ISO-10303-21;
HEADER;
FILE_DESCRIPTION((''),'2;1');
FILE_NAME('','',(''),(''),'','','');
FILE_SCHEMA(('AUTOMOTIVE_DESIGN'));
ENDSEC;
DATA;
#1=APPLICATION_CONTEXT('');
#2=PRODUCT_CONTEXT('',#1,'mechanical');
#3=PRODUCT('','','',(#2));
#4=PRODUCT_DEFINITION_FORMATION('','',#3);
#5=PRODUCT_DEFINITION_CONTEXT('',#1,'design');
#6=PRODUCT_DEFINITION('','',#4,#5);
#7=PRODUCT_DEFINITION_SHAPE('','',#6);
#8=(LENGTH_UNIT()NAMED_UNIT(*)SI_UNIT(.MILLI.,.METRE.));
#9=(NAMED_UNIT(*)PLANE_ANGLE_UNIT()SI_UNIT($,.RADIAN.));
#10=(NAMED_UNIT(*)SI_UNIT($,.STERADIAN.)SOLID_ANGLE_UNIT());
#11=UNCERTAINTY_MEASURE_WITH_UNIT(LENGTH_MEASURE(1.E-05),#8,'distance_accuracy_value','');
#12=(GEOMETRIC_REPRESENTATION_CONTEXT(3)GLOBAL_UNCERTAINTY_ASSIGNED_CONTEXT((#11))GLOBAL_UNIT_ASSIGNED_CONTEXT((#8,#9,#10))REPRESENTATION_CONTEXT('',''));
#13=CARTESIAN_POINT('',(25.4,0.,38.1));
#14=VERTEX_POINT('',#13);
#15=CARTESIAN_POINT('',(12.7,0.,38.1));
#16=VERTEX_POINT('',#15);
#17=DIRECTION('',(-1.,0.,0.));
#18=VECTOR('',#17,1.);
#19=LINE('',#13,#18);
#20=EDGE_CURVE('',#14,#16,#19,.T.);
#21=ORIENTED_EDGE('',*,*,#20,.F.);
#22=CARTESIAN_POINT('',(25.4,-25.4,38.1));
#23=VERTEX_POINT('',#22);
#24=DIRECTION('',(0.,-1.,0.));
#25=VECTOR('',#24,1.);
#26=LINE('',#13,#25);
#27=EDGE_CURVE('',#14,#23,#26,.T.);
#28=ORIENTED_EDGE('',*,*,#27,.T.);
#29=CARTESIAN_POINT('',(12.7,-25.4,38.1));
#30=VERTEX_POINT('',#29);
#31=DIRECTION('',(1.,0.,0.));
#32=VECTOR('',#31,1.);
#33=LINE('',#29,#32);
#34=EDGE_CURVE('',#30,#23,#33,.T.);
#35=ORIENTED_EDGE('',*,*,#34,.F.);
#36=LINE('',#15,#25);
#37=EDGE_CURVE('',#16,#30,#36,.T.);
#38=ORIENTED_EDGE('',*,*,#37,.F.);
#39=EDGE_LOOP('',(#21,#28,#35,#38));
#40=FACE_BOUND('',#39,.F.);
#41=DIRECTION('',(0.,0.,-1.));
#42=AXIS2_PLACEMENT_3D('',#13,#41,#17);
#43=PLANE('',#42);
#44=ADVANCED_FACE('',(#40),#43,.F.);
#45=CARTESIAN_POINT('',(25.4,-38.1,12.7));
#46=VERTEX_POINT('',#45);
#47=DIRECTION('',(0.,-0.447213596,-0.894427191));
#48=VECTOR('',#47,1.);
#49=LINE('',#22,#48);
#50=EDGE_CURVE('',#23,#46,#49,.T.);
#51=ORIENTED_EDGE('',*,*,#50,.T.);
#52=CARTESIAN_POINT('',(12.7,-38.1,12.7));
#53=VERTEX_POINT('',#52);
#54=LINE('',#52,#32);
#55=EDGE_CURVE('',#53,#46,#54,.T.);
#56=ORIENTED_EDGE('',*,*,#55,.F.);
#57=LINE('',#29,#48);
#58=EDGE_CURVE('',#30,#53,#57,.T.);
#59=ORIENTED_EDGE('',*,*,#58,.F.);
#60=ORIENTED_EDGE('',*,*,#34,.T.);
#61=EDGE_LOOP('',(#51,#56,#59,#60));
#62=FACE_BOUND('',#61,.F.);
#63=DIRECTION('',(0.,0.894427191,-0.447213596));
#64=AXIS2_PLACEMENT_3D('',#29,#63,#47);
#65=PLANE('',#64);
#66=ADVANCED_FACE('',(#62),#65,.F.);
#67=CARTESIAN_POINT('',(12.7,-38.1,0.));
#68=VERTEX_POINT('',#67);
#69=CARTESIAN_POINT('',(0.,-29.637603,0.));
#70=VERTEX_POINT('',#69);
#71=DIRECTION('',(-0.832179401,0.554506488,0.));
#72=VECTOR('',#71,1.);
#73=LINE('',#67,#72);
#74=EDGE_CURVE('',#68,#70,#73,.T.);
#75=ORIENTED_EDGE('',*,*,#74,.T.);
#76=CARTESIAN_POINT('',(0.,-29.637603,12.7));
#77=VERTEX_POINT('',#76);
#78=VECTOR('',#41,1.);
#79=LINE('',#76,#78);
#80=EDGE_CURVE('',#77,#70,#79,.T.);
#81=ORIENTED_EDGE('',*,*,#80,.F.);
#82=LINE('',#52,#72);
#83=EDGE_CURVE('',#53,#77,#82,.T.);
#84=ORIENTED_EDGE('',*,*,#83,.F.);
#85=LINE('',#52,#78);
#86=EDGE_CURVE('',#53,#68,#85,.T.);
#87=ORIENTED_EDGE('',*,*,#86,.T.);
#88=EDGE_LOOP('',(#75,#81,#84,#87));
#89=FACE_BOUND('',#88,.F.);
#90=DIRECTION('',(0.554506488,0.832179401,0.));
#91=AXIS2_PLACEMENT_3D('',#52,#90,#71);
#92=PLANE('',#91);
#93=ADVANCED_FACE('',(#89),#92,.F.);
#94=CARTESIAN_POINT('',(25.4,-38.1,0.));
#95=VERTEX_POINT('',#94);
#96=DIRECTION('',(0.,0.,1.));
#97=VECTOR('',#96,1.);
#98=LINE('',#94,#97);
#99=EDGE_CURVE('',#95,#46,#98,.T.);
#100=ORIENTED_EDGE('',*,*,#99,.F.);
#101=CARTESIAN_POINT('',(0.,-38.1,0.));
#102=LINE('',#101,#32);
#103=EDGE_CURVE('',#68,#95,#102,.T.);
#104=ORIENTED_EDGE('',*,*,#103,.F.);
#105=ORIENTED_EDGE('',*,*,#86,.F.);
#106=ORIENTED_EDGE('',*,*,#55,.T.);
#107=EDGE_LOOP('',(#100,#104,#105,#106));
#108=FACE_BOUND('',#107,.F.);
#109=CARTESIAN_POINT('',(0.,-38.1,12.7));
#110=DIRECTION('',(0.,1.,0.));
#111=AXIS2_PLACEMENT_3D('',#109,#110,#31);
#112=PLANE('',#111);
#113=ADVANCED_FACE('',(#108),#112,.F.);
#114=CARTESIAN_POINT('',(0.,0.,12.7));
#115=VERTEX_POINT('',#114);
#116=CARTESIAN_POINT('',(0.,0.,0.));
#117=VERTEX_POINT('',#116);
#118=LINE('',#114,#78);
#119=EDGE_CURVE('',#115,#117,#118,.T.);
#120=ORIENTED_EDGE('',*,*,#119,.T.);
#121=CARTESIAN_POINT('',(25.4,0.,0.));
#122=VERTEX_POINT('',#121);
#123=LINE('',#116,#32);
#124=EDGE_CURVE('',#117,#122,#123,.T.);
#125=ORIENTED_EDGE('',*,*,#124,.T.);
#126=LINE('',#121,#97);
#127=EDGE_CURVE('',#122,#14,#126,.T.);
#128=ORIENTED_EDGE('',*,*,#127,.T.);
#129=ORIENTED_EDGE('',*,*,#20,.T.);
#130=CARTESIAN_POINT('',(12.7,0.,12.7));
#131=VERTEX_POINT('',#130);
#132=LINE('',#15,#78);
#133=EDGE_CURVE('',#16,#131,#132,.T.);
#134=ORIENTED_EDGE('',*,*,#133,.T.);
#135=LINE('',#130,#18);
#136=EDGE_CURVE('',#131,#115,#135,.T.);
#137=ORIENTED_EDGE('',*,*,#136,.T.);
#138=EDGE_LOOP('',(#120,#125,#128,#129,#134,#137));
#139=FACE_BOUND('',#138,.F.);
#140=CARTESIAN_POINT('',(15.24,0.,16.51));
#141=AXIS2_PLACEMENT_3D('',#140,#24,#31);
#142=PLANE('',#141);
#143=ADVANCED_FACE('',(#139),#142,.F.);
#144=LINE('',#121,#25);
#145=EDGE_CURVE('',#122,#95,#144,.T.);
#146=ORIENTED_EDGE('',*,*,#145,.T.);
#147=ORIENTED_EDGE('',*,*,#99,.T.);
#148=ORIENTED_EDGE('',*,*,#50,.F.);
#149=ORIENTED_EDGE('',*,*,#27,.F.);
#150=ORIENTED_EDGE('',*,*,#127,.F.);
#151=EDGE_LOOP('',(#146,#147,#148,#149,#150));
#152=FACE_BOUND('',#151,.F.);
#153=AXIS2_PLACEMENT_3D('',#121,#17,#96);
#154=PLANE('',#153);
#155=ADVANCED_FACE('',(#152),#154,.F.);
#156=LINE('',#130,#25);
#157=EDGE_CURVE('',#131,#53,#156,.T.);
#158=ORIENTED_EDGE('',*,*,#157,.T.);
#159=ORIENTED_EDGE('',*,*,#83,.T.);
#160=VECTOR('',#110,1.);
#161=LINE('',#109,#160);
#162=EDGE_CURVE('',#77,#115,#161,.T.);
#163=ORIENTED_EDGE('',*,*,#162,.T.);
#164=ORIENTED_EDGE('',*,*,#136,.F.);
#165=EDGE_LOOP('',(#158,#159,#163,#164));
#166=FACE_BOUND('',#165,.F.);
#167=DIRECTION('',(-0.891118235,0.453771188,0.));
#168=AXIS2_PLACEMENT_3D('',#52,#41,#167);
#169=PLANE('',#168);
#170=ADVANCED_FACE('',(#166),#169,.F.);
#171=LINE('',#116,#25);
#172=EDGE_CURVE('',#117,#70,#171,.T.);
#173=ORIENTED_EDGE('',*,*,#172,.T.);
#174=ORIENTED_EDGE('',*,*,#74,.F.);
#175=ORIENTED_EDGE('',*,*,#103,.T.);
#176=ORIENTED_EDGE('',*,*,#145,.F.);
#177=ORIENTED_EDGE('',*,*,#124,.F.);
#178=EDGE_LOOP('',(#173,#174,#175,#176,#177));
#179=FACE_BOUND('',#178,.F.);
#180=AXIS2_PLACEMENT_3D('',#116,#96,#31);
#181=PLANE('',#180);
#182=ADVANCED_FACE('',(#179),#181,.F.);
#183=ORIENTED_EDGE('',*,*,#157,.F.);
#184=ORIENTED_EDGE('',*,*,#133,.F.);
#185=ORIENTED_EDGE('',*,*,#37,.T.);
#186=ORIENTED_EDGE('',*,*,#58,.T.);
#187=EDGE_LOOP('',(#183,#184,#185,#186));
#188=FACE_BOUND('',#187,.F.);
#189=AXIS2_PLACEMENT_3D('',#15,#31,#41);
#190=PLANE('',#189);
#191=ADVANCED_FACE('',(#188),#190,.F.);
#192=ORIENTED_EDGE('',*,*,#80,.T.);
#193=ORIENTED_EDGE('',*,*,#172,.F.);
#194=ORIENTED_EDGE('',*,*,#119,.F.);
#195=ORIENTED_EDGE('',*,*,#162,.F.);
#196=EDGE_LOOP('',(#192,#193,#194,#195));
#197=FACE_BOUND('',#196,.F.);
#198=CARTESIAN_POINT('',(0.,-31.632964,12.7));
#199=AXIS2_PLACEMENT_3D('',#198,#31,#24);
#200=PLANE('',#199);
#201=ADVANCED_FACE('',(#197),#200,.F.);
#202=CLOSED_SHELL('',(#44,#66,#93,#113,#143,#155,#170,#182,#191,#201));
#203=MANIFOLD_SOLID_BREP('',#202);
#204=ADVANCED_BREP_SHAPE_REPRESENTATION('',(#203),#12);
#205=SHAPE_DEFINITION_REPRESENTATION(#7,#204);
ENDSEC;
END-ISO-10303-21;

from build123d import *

# Parameters (mm, degrees)
F1_DEPTH = 38.1
F3_DEPTH = 12.7
F5_DEPTH = 12.7
F6_DEPTH = 25.4
F8_DEPTH = 12.7


with BuildPart() as f1:
    # F0 (on Front) → F1 (new body)
    with BuildSketch(Plane.XZ):
        Polygon((0, 12.7), (0, 0), (25.4, 0), (25.4, 38.1), (12.7, 38.1), (12.7, 12.7), align=None)
    extrude(amount=F1_DEPTH)

    # F2 (on face) → F3 (cut)
    with BuildSketch(Plane(origin=(12.7, 0, 0), x_dir=(0, -1, 0), z_dir=(-1, 0, 0))):
        Polygon((38.1, 38.1), (25.4, 38.1), (38.1, 12.7), align=None)
    extrude(amount=-F3_DEPTH, mode=Mode.SUBTRACT)

    # F4 (on face) → F5 (join)
    with BuildSketch(Plane.XY.offset(12.7)):
        Polygon((0, -38.1), (12.7, -38.1), (0, -31.632963568), align=None)
    extrude(amount=F5_DEPTH)

    # F6 (cut): a face of the model
    f6_faces = [f1.faces().sort_by_distance(p)[0] for p in [
        (6.35, -34.866481784, 19.05),
    ]]
    extrude(f6_faces, amount=-F6_DEPTH, mode=Mode.SUBTRACT)

    # F7 (on face) → F8 (cut)
    with BuildSketch(Plane.XY.offset(12.7)):
        Polygon((12.7, -38.1), (0, -29.6376030892), (0, -38.1), align=None)
    extrude(amount=-F8_DEPTH, mode=Mode.SUBTRACT)


solid = f1.part
